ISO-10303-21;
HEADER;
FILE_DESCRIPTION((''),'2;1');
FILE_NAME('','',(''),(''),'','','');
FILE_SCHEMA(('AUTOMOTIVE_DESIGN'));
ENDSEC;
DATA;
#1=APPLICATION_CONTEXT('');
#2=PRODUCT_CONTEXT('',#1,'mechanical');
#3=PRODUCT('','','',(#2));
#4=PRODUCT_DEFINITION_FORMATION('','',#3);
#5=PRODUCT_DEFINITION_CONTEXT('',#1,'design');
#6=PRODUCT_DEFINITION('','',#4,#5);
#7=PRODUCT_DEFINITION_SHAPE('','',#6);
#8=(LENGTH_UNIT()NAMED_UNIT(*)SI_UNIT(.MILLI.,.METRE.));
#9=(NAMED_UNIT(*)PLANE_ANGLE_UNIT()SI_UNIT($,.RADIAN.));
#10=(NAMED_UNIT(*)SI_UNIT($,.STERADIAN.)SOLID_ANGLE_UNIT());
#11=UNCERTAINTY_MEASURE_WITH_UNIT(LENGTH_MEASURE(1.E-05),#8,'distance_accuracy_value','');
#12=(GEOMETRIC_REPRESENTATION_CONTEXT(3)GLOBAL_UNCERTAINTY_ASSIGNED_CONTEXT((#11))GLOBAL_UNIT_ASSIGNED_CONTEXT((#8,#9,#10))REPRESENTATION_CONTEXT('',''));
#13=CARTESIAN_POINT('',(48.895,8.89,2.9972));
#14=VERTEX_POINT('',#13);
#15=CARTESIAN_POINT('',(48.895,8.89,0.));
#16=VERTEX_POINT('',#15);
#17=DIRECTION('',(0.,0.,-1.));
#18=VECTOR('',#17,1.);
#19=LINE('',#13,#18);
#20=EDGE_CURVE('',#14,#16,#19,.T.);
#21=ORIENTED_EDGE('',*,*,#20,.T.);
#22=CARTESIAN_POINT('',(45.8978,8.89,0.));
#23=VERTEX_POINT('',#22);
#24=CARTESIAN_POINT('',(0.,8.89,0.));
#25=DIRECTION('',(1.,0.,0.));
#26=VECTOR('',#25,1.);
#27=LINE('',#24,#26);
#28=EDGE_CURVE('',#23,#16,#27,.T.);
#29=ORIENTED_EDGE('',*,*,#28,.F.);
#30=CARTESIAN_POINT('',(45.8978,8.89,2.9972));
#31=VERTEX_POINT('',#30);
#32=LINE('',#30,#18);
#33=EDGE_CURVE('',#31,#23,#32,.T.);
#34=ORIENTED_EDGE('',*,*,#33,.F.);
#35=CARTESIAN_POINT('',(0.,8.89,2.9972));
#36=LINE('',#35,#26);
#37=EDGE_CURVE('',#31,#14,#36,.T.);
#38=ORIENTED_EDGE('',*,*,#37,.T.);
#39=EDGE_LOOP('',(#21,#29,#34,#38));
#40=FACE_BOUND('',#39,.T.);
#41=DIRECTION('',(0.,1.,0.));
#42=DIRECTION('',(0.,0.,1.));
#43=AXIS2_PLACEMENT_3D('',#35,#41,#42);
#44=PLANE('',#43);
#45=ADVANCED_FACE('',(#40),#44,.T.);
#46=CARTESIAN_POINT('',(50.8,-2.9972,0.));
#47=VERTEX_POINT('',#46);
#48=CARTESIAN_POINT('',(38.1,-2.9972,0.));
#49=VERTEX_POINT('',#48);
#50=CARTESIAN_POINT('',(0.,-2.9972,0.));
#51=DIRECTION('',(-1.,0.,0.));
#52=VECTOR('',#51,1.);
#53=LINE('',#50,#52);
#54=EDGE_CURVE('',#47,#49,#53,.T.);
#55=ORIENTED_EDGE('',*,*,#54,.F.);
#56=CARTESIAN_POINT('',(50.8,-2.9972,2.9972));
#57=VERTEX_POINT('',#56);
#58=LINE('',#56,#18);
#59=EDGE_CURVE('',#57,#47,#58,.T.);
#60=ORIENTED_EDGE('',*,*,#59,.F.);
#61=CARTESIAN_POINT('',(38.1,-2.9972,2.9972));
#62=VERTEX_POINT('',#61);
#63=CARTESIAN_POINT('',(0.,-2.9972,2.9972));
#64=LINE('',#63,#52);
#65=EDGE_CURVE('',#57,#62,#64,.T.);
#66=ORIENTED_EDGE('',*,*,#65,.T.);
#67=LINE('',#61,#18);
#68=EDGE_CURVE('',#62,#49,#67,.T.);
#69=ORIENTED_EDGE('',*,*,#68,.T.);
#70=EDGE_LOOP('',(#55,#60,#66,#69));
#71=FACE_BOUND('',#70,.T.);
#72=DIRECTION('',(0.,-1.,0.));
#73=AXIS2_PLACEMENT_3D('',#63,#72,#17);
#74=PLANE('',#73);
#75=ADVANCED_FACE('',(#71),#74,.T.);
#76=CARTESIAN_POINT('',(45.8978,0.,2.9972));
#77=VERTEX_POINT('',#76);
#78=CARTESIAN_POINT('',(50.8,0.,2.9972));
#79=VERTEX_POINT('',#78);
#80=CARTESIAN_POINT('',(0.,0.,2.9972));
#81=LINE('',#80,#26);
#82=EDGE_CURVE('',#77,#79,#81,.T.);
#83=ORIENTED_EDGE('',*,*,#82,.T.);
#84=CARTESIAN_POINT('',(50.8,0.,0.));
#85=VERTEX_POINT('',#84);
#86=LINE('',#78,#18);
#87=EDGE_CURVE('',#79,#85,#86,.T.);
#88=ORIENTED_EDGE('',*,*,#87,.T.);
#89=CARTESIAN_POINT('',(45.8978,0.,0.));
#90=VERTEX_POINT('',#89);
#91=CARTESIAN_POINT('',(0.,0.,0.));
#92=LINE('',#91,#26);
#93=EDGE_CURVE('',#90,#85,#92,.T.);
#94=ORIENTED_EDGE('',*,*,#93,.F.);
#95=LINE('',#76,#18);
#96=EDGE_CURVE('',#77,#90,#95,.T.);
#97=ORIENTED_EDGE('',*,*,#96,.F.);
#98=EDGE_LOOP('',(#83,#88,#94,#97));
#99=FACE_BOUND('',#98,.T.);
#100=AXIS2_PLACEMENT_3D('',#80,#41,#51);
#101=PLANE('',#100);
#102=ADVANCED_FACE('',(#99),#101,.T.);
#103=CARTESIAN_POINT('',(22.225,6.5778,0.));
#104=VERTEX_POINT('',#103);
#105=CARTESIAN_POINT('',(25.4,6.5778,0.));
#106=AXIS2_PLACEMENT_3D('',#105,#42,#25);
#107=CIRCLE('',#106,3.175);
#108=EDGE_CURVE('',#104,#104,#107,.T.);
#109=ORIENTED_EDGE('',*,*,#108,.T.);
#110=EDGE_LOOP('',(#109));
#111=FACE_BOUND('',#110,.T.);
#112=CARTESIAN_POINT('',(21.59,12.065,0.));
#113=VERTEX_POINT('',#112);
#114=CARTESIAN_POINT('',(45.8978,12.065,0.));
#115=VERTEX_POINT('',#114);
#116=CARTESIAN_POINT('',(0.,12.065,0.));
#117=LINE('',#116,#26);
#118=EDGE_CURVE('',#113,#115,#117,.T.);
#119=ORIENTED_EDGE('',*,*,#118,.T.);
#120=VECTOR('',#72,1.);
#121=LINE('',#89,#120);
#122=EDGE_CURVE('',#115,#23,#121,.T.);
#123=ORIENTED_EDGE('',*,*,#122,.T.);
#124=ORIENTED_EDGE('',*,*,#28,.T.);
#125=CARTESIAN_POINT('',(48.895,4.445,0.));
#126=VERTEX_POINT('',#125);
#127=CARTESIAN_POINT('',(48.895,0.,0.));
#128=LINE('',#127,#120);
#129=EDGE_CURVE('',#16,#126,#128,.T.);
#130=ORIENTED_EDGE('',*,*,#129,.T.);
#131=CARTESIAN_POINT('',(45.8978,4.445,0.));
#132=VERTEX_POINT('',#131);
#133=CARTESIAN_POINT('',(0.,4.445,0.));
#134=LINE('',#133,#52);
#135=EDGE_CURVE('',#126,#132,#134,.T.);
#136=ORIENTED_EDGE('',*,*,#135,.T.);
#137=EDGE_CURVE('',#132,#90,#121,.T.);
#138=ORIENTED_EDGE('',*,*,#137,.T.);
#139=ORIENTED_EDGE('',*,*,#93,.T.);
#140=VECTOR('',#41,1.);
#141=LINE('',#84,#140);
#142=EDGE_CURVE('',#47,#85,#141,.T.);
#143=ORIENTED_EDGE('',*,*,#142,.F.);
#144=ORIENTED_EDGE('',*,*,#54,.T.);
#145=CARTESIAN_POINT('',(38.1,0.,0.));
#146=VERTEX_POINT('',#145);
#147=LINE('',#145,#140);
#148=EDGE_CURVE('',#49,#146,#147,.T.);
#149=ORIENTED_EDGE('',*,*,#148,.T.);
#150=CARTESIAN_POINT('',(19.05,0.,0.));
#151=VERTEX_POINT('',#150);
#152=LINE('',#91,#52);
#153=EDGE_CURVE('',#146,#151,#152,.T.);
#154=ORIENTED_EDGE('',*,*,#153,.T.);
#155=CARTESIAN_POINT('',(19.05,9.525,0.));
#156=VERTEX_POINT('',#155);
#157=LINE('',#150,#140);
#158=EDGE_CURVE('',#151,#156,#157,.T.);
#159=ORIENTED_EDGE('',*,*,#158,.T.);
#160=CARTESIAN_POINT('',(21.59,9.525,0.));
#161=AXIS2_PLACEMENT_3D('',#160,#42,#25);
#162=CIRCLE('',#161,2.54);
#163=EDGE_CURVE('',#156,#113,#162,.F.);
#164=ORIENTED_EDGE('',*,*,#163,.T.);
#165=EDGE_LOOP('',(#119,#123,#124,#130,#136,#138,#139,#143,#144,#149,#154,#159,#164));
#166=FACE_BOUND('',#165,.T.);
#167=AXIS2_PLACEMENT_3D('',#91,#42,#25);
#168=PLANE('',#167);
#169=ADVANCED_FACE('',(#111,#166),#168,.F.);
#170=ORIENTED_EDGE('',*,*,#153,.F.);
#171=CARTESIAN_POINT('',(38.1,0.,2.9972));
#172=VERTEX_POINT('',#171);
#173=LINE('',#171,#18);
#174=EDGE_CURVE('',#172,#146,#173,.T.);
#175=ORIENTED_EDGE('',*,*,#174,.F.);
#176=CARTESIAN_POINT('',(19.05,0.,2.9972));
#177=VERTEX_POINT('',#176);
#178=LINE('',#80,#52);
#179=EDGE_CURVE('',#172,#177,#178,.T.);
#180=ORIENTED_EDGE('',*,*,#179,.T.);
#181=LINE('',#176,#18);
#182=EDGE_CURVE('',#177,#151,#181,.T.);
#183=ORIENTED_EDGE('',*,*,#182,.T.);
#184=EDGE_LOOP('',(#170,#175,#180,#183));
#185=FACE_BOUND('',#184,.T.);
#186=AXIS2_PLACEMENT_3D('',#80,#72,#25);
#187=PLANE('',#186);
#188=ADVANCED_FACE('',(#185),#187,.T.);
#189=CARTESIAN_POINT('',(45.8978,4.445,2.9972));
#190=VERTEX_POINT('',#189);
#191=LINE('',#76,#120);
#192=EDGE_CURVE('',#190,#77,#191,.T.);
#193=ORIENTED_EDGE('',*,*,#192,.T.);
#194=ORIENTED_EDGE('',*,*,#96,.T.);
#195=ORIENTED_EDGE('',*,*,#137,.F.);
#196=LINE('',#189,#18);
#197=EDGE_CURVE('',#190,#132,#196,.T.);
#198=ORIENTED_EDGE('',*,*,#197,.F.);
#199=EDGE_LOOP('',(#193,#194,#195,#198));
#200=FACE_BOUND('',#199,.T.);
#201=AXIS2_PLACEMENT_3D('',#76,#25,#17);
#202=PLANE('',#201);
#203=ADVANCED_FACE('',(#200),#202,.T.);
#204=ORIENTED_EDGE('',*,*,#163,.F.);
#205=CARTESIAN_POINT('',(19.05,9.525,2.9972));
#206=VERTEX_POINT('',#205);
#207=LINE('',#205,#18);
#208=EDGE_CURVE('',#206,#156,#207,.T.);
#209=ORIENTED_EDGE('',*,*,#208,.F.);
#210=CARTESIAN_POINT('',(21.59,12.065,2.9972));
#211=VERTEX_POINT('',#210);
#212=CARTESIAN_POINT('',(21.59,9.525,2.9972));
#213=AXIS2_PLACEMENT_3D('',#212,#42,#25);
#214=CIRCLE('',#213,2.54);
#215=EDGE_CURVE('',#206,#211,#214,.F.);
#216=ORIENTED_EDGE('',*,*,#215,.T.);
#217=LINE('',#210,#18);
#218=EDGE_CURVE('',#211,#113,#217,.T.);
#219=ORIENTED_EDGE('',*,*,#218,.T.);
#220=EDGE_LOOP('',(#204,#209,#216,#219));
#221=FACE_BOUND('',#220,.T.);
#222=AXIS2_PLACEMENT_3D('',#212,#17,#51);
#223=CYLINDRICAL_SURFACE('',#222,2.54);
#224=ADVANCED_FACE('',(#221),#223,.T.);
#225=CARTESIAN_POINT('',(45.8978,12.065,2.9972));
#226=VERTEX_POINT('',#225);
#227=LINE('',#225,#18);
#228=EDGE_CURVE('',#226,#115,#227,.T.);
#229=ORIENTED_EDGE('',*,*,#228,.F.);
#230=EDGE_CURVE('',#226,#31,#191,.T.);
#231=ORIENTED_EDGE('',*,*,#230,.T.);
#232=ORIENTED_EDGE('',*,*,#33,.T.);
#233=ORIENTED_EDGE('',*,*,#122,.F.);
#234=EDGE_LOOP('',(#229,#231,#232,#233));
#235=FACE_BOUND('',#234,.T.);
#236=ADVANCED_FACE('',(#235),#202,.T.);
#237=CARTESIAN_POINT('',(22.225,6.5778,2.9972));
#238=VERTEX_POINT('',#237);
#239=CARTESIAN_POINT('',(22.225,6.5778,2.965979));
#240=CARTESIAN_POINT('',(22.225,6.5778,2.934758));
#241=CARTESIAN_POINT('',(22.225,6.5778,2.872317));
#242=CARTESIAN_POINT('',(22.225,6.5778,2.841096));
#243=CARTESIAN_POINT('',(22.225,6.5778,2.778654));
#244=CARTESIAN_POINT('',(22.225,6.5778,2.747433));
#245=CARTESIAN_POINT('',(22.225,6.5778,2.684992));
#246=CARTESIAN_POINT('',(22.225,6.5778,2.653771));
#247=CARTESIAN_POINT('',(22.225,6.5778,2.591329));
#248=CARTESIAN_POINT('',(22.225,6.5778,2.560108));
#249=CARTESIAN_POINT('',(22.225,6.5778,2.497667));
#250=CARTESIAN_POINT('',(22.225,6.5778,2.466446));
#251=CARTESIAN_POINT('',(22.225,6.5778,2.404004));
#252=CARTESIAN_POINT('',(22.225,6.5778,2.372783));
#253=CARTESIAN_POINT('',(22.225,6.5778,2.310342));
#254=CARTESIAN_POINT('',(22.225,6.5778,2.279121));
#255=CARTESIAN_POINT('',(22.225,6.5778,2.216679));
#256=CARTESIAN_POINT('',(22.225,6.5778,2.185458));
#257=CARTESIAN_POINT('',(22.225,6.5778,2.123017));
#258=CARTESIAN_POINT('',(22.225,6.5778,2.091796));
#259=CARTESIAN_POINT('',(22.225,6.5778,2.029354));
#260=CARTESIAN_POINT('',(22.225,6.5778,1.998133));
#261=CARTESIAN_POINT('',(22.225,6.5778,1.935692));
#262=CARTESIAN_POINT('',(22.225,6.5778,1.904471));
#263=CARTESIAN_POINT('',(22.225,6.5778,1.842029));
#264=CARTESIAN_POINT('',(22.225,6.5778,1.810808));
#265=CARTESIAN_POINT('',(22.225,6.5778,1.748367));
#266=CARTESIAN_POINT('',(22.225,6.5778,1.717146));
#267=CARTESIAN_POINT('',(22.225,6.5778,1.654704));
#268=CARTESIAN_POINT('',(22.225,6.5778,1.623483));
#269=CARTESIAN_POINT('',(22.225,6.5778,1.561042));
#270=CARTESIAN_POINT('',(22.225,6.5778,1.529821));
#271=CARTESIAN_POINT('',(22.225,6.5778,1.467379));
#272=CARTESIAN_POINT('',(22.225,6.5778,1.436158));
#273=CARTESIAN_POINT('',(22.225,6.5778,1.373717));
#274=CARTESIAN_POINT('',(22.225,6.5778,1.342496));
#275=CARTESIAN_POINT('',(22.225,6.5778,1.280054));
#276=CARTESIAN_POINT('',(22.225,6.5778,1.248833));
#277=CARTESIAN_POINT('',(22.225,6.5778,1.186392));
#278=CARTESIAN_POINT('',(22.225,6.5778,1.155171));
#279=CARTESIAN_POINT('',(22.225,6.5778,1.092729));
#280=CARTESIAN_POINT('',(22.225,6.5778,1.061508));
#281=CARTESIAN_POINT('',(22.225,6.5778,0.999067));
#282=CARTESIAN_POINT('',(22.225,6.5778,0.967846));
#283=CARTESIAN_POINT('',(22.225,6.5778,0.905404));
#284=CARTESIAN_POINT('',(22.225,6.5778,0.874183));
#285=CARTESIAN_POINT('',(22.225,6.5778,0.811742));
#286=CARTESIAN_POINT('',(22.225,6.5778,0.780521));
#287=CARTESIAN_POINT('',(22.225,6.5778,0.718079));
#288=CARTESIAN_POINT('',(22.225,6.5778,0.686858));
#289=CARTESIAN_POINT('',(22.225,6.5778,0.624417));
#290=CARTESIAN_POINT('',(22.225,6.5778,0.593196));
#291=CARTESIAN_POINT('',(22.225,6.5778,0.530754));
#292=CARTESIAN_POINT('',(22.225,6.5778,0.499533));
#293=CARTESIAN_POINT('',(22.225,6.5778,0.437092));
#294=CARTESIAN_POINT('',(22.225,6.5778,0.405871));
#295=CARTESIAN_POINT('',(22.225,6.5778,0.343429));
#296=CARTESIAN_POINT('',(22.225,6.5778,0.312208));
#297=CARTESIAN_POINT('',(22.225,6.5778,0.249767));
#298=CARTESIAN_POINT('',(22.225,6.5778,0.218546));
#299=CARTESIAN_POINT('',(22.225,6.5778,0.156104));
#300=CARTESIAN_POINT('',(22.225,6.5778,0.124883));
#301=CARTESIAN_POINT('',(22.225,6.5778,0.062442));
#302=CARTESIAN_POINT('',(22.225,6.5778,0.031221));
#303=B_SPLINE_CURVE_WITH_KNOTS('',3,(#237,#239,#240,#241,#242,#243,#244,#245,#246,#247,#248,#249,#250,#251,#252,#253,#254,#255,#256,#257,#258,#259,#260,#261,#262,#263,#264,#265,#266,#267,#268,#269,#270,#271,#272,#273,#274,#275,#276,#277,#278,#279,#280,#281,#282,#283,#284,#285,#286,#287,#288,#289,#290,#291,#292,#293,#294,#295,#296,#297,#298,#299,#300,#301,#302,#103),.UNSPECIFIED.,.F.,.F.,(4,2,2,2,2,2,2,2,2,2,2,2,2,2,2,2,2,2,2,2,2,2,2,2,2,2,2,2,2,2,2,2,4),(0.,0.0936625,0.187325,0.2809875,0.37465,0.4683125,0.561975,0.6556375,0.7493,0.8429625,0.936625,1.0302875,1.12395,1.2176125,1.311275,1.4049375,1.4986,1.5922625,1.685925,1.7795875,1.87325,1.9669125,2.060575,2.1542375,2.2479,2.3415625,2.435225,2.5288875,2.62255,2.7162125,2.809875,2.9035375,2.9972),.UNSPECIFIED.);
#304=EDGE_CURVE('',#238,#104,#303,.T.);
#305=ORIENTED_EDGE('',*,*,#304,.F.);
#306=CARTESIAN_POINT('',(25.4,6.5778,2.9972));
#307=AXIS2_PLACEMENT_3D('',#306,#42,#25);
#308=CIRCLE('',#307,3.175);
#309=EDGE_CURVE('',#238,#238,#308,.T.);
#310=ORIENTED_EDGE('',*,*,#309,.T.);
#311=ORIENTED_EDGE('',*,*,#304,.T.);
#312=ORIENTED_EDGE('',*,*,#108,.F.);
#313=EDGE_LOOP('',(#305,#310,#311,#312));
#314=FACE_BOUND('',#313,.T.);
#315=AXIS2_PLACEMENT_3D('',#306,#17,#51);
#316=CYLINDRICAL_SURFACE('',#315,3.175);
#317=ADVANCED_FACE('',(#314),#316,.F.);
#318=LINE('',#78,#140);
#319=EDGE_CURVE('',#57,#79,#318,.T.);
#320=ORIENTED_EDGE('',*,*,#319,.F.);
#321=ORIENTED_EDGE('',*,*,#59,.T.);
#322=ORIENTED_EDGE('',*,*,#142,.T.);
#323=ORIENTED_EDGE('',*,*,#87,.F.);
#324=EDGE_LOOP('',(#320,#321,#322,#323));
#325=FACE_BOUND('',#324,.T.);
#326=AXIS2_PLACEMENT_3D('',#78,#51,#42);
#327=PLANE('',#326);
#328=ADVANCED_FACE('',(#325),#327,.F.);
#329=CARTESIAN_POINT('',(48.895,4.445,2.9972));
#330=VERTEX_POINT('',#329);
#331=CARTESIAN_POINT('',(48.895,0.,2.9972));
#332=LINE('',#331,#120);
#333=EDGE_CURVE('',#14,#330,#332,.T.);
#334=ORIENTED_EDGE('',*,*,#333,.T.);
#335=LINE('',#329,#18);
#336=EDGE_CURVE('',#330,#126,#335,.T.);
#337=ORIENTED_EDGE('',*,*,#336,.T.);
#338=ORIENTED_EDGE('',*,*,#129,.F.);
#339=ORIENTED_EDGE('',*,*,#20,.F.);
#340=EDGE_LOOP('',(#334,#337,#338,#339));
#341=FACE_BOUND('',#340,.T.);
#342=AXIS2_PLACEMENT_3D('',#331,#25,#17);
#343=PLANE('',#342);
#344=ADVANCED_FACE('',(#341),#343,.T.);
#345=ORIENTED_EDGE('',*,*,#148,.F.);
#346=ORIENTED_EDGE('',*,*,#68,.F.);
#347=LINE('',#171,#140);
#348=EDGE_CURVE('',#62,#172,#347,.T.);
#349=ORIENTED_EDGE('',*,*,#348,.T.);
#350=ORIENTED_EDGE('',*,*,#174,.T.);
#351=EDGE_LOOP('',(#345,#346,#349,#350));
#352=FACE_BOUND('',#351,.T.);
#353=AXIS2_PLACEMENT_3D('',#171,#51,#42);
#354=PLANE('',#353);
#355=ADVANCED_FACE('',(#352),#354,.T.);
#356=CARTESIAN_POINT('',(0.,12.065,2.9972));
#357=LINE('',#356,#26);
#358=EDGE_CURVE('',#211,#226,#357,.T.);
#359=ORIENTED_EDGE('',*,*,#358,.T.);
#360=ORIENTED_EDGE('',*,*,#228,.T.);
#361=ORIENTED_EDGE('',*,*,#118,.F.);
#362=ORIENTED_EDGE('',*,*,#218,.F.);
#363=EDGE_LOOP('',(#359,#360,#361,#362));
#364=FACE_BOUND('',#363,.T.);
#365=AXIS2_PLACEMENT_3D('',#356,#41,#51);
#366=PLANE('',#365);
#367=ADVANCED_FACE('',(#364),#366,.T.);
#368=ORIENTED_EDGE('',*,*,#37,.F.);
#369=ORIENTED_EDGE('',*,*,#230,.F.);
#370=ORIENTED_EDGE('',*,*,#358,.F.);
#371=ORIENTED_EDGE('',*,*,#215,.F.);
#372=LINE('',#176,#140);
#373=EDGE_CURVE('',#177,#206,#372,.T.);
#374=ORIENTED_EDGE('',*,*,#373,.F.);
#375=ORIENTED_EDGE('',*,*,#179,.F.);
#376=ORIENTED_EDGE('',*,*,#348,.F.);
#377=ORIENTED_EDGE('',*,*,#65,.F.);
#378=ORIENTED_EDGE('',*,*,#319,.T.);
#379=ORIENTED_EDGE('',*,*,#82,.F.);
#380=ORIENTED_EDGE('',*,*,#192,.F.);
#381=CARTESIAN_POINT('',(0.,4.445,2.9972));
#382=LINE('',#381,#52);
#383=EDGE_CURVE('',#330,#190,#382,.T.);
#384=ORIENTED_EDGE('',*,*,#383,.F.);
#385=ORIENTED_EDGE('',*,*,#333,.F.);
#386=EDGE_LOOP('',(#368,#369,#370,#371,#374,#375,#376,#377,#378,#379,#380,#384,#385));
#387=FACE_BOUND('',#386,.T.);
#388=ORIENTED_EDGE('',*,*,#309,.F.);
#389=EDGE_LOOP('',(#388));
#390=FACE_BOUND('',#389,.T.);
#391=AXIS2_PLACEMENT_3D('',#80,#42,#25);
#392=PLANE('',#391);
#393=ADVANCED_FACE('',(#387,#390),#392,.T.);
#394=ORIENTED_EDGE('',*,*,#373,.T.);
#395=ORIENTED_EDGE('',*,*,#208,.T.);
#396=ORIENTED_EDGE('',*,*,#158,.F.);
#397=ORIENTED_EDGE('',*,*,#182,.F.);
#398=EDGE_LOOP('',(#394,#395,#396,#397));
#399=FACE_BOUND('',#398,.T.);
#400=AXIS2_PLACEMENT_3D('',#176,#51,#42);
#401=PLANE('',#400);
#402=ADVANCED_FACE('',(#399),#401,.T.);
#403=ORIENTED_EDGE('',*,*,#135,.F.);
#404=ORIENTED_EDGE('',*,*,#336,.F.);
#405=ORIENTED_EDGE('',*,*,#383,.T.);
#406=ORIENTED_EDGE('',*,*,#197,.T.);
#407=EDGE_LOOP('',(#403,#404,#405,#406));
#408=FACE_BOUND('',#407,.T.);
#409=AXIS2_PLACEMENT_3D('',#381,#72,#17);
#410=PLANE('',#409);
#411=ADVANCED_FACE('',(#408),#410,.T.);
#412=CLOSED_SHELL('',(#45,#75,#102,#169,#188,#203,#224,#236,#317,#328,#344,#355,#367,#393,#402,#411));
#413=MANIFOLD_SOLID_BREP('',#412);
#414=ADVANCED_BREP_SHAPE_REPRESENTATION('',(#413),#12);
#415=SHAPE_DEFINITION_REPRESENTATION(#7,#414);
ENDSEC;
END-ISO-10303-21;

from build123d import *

# Parameters (mm, degrees)
SKETCH1_R           = 3.175
BOSS_EXTRUDE1_DEPTH = 2.9972


with BuildPart() as part:
    # Sketch1 → Boss-Extrude1 (new body)
    with BuildSketch(Plane.XY):
        with BuildLine():
            Line((38.1, -2.9972), (50.8, -2.9972))
            Line((50.8, -2.9972), (50.8, 0))
            Line((50.8, 0), (45.8978, 0))
            Line((45.8978, 0), (45.8978, 4.445))
            Line((45.8978, 4.445), (48.895, 4.445))
            Line((48.895, 4.445), (48.895, 8.89))
            Line((48.895, 8.89), (45.8978, 8.89))
            Line((45.8978, 8.89), (45.8978, 12.065))
            Line((45.8978, 12.065), (21.59, 12.065))
            ThreePointArc((21.59, 12.065), (19.793948776, 11.321051224), (19.05, 9.525))
            Line((19.05, 9.525), (19.05, 0))
            Line((19.05, 0), (38.1, 0))
            Line((38.1, 0), (38.1, -2.9972))
        make_face()
        with Locations((25.4, 6.5778)):
            Circle(SKETCH1_R, mode=Mode.SUBTRACT)
    extrude(amount=BOSS_EXTRUDE1_DEPTH)


solid = part.part
